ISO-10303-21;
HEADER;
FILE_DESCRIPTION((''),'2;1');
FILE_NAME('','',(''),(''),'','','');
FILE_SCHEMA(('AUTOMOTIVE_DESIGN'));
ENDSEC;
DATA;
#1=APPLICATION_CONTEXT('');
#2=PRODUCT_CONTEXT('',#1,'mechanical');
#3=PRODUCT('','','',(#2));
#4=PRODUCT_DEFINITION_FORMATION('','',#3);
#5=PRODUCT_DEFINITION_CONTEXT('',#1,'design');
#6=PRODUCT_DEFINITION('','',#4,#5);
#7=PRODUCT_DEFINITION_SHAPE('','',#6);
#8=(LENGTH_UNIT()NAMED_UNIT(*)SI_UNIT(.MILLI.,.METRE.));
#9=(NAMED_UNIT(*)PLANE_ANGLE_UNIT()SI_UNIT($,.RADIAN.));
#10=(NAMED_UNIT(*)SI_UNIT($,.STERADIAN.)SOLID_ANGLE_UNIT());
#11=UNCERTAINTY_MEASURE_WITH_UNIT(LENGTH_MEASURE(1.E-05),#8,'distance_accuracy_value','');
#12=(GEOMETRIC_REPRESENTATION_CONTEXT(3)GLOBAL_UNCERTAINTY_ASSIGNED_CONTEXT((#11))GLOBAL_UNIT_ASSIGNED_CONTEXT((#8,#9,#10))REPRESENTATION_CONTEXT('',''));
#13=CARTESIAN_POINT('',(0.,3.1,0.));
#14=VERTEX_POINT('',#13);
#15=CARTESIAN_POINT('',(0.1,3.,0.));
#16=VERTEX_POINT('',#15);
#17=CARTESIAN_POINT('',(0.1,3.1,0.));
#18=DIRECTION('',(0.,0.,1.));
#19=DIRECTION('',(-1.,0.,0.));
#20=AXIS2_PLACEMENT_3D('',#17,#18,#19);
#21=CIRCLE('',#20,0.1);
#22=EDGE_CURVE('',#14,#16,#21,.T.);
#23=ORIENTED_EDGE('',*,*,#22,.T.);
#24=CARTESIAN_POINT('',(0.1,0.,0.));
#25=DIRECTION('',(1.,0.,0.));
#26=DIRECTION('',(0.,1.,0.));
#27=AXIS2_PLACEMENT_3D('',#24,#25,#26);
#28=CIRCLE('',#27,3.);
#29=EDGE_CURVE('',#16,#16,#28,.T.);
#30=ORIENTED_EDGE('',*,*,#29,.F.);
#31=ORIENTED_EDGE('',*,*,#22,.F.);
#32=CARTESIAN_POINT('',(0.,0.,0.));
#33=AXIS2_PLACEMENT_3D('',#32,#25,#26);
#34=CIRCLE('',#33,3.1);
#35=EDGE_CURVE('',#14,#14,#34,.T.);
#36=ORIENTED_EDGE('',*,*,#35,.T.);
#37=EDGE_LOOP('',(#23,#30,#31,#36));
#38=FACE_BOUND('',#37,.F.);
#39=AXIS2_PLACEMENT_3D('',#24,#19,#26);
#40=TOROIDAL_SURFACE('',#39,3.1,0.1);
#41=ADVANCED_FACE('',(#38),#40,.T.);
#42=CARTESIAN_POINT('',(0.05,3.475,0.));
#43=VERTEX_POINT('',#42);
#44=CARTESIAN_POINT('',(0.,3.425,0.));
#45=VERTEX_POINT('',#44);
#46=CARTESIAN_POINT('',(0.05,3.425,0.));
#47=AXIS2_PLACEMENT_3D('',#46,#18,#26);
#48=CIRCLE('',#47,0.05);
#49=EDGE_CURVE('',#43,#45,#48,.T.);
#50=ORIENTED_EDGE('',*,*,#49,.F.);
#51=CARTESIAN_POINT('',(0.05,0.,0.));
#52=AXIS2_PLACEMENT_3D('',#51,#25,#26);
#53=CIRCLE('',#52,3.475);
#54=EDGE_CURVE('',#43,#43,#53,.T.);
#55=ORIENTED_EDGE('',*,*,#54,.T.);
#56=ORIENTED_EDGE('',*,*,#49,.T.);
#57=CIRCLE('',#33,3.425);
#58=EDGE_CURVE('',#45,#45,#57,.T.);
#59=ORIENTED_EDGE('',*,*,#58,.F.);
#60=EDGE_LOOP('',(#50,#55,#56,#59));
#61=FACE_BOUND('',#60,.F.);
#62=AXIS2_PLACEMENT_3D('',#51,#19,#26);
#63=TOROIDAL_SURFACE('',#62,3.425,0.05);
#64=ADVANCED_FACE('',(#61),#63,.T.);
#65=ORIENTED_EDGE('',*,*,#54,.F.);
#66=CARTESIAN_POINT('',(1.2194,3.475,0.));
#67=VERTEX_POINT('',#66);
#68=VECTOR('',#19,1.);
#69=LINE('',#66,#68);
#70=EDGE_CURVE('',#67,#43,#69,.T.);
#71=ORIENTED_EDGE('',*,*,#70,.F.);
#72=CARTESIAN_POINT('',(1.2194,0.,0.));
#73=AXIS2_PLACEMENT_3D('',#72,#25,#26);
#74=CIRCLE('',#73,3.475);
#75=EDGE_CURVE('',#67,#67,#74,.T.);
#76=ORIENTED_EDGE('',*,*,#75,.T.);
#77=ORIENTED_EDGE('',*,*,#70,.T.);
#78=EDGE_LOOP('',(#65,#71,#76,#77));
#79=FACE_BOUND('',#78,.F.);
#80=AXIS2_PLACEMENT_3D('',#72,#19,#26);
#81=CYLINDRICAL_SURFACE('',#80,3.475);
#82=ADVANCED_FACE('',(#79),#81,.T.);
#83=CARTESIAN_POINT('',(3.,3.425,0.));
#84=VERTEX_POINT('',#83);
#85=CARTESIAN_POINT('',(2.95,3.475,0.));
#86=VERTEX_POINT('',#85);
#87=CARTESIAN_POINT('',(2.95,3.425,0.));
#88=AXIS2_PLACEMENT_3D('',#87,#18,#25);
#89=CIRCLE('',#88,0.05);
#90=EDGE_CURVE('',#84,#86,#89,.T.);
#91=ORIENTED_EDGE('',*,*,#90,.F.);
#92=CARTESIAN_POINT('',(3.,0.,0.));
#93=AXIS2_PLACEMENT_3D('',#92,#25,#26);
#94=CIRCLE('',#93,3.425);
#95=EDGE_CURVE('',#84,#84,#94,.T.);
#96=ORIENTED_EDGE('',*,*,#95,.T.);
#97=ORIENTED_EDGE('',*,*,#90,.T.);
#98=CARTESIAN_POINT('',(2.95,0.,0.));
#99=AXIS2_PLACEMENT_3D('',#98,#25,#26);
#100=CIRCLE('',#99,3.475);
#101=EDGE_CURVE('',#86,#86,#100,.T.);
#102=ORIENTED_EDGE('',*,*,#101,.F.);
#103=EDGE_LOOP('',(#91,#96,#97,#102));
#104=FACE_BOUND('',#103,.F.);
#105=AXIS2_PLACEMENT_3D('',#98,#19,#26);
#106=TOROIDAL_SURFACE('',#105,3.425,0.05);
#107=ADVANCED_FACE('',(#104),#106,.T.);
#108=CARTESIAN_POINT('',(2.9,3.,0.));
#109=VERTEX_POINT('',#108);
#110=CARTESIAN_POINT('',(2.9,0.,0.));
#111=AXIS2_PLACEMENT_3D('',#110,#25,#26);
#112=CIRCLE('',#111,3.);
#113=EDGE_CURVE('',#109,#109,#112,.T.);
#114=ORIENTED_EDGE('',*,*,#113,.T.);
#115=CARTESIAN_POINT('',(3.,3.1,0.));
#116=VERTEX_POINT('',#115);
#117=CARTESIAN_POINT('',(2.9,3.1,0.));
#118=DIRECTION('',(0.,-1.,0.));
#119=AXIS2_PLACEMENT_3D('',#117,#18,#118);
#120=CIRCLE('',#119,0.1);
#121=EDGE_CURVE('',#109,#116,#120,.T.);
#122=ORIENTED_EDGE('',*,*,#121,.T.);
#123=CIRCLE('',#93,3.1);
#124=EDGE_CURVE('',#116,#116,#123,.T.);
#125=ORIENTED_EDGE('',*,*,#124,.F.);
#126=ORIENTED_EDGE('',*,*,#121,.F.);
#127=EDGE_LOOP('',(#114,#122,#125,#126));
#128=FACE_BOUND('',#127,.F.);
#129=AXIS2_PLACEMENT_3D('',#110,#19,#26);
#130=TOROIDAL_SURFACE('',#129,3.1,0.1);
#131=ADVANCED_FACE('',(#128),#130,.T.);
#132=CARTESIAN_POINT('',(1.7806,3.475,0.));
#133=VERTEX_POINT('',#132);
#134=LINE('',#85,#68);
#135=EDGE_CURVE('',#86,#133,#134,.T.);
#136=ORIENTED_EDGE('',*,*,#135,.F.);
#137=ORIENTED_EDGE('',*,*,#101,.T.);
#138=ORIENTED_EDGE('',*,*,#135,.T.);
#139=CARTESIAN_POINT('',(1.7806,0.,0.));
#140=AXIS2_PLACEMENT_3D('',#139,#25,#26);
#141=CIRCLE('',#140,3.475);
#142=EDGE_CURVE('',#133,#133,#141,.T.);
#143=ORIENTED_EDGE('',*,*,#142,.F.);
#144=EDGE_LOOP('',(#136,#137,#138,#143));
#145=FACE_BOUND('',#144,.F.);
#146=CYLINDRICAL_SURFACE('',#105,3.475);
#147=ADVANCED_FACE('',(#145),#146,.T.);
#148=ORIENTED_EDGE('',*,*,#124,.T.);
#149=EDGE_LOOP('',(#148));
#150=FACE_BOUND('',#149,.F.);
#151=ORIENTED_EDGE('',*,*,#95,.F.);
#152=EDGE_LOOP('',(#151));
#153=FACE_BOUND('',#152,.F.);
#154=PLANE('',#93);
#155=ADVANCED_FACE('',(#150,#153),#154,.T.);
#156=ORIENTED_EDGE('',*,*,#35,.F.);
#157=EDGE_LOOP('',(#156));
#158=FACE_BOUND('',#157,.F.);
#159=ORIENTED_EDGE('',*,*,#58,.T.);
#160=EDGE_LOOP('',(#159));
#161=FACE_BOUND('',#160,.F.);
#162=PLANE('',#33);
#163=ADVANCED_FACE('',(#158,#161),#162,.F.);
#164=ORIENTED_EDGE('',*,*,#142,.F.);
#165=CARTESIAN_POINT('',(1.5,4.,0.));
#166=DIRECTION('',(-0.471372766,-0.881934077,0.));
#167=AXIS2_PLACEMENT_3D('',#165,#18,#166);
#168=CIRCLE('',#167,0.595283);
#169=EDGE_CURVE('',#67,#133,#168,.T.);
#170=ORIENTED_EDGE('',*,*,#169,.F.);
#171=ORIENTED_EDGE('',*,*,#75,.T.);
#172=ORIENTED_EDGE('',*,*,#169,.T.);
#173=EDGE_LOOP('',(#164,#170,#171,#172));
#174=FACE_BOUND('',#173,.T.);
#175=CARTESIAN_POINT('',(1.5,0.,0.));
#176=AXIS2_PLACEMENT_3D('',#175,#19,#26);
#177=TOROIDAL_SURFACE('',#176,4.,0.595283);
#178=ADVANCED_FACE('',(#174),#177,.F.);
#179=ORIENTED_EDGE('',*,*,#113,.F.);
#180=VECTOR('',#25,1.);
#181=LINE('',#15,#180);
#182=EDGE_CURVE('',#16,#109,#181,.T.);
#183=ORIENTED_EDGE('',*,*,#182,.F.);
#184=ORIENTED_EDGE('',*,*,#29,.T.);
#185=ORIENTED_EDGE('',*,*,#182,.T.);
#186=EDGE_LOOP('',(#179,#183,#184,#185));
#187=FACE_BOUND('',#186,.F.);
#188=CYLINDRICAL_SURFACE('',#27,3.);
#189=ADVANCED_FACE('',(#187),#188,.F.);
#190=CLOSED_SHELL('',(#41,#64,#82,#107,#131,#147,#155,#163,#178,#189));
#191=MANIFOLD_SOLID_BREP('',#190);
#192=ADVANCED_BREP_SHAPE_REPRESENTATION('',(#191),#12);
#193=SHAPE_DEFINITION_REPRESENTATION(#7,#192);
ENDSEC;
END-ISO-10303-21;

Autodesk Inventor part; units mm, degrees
sketch "Sketch_5" plane through (0, 0, 0) normal (0, 0, 1) x (1, 0, 0)
  line L0 (3, 0) -> (0, 0)
  line L1 (0, 3.425) -> (0, 3.1)
  arc A0 (0, 3.1) -> (0.1, 3) centre (0.1, 3.1) ccw
  line L2 (0.1, 3) -> (2.9, 3)
  arc A1 (2.9, 3) -> (3, 3.1) centre (2.9, 3.1) ccw
  line L3 (3, 3.1) -> (3, 3.425)
  arc A2 (3, 3.425) -> (2.95, 3.475) centre (2.95, 3.425) ccw
  line L4 (2.95, 3.475) -> (1.7806, 3.475)
  arc A3 (1.2194, 3.475) -> (1.7806, 3.475) centre (1.5, 4) ccw
  line L5 (1.2194, 3.475) -> (0.05, 3.475)
  arc A4 (0.05, 3.475) -> (0, 3.425) centre (0.05, 3.425) ccw
revolve "Revolution1" add sketch "Sketch_5" angle 360 about axis through (3, 0, 0) along (1, 0, 0)
ref_plane "1_XY" through (1.5, 0, 0) normal (1, 0, 0) x (0, 0, -1)
ref_plane "1_YZ" through (1.5, 0, 0) normal (0, 0, -1) x (0, 1, 0)
ref_plane "1_ZX" through (1.5, 0, 0) normal (0, 1, 0) x (1, 0, 0)
ref_plane "Dummy_XY" through (0, 0, 0) normal (1, 0, 0) x (0, 0, -1)
ref_plane "Dummy_YZ" through (0, 0, 0) normal (0, 0, -1) x (0, 1, 0)
ref_plane "Dummy_ZX" through (0, 0, 0) normal (0, 1, 0) x (1, 0, 0)
ref_plane "shield1_XY" through (0.4, 0, 0) normal (1, 0, 0) x (0, 0, -1)
ref_plane "shield1_YZ" through (0.4, 0, 0) normal (0, 0, -1) x (0, 1, 0)
ref_plane "shield1_ZX" through (0.4, 0, 0) normal (0, 1, 0) x (1, 0, 0)
ref_plane "shield2_XY" through (2.6, 0, 0) normal (-1, 0, 0) x (0, 0, -1)
ref_plane "shield2_YZ" through (2.6, 0, 0) normal (0, 0, -1) x (0, -1, 0)
ref_plane "shield2_ZX" through (2.6, 0, 0) normal (0, -1, 0) x (-1, 0, 0)
properties part number "LF-1060ZZ_ir" material "鋼、炭素鋼"
